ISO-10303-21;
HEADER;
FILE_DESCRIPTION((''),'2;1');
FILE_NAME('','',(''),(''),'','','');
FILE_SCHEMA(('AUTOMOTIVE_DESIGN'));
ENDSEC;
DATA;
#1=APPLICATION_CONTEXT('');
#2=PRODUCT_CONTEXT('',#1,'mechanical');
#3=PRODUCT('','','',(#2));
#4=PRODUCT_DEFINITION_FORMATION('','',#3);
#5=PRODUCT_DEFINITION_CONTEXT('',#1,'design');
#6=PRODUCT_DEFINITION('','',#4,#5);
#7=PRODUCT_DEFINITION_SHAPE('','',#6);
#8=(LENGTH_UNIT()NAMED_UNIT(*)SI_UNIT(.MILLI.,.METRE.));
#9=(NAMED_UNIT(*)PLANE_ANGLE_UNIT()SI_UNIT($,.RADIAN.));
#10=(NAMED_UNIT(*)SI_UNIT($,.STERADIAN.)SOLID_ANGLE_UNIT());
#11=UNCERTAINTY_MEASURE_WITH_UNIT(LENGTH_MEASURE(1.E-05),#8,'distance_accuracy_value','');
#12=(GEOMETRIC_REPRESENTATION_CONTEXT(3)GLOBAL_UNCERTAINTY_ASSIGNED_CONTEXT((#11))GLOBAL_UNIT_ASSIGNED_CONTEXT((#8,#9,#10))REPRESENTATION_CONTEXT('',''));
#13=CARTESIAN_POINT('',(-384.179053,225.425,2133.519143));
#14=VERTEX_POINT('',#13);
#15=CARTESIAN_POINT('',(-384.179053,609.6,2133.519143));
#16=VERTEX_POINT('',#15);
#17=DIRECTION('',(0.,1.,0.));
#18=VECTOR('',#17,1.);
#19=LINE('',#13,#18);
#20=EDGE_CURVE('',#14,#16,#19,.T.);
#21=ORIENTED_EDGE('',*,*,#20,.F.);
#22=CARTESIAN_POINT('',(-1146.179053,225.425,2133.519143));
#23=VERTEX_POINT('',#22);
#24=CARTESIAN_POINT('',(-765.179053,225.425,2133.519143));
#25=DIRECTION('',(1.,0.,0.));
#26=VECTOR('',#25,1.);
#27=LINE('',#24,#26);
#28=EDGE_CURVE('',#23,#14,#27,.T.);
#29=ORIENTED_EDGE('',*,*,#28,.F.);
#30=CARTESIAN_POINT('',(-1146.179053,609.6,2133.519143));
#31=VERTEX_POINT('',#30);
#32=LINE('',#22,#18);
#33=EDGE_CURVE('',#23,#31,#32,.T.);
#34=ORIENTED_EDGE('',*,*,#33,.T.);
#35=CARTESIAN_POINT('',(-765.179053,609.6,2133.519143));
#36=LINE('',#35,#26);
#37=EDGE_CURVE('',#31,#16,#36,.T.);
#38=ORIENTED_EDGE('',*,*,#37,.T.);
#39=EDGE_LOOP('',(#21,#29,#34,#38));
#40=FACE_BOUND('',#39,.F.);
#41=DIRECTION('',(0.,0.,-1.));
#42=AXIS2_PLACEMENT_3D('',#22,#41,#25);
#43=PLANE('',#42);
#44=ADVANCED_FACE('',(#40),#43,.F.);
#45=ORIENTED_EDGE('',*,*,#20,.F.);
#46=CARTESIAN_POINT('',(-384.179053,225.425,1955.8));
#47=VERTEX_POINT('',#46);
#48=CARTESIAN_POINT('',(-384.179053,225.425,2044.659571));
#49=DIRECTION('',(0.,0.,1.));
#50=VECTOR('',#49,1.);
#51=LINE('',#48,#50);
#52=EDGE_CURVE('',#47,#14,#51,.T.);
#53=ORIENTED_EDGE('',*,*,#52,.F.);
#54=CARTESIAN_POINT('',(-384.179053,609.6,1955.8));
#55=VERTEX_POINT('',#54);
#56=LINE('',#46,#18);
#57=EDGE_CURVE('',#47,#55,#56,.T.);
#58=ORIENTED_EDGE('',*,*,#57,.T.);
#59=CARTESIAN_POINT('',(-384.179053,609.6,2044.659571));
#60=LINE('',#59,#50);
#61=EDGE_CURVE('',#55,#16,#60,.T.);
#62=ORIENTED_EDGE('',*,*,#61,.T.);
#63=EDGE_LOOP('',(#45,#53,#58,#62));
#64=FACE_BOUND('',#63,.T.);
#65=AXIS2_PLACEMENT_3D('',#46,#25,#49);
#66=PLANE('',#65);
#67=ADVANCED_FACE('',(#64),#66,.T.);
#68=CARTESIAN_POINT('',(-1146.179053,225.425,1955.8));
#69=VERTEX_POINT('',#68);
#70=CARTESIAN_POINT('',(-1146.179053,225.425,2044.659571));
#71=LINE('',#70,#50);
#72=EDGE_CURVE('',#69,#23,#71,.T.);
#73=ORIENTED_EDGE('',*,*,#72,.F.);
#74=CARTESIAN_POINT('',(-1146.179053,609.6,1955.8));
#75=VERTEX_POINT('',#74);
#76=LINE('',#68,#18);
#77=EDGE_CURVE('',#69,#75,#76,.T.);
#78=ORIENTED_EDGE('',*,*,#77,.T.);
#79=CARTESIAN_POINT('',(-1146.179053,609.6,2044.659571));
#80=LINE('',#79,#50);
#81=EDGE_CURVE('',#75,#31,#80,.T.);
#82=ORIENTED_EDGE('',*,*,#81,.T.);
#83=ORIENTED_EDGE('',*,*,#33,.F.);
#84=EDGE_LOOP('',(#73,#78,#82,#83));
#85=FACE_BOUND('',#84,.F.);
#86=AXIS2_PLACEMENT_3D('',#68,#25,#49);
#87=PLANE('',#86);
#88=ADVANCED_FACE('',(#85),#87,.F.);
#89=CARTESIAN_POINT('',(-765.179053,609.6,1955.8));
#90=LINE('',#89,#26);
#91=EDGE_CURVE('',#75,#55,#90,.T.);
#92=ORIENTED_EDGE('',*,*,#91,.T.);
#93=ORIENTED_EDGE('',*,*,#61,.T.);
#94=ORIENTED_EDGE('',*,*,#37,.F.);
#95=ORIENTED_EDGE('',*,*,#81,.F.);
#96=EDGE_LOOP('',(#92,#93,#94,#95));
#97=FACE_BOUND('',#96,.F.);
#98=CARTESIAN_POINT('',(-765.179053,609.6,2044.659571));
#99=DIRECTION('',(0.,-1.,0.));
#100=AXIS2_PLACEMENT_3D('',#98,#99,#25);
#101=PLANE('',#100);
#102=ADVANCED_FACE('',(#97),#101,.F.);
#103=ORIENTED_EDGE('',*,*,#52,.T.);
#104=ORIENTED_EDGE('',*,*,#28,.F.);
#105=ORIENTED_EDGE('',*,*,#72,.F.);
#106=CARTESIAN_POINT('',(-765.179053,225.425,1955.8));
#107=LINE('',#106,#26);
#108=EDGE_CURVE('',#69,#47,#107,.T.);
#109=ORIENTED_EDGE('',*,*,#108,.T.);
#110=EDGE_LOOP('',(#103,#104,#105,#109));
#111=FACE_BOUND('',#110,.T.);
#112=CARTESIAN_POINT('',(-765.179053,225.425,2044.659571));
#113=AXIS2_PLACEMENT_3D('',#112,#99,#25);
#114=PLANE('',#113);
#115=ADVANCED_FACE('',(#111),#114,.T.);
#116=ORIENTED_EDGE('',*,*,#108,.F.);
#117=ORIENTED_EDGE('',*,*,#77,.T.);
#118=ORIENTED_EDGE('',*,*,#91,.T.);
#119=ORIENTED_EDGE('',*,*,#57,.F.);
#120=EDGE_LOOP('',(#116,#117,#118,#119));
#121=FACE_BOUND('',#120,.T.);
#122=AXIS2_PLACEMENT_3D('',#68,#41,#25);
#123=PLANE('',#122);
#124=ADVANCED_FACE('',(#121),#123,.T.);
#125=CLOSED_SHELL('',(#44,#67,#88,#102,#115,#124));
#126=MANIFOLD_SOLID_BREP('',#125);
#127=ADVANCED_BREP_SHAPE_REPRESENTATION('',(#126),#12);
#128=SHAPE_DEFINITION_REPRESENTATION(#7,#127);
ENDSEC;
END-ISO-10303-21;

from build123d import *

# Parameters (mm, degrees)
F1_START = -225.425
F0_W     = 762
F0_H     = 177.7191425323
F1_DEPTH = 384.175


with BuildPart() as f1:
    # F0 (on Front) → F1 (new body)
    with BuildSketch(Plane.XZ.offset(F1_START)):
        with Locations((-765.1790530003, 2044.6595712662)):
            Rectangle(F0_W, F0_H)
    extrude(amount=-F1_DEPTH)


solid = f1.part
